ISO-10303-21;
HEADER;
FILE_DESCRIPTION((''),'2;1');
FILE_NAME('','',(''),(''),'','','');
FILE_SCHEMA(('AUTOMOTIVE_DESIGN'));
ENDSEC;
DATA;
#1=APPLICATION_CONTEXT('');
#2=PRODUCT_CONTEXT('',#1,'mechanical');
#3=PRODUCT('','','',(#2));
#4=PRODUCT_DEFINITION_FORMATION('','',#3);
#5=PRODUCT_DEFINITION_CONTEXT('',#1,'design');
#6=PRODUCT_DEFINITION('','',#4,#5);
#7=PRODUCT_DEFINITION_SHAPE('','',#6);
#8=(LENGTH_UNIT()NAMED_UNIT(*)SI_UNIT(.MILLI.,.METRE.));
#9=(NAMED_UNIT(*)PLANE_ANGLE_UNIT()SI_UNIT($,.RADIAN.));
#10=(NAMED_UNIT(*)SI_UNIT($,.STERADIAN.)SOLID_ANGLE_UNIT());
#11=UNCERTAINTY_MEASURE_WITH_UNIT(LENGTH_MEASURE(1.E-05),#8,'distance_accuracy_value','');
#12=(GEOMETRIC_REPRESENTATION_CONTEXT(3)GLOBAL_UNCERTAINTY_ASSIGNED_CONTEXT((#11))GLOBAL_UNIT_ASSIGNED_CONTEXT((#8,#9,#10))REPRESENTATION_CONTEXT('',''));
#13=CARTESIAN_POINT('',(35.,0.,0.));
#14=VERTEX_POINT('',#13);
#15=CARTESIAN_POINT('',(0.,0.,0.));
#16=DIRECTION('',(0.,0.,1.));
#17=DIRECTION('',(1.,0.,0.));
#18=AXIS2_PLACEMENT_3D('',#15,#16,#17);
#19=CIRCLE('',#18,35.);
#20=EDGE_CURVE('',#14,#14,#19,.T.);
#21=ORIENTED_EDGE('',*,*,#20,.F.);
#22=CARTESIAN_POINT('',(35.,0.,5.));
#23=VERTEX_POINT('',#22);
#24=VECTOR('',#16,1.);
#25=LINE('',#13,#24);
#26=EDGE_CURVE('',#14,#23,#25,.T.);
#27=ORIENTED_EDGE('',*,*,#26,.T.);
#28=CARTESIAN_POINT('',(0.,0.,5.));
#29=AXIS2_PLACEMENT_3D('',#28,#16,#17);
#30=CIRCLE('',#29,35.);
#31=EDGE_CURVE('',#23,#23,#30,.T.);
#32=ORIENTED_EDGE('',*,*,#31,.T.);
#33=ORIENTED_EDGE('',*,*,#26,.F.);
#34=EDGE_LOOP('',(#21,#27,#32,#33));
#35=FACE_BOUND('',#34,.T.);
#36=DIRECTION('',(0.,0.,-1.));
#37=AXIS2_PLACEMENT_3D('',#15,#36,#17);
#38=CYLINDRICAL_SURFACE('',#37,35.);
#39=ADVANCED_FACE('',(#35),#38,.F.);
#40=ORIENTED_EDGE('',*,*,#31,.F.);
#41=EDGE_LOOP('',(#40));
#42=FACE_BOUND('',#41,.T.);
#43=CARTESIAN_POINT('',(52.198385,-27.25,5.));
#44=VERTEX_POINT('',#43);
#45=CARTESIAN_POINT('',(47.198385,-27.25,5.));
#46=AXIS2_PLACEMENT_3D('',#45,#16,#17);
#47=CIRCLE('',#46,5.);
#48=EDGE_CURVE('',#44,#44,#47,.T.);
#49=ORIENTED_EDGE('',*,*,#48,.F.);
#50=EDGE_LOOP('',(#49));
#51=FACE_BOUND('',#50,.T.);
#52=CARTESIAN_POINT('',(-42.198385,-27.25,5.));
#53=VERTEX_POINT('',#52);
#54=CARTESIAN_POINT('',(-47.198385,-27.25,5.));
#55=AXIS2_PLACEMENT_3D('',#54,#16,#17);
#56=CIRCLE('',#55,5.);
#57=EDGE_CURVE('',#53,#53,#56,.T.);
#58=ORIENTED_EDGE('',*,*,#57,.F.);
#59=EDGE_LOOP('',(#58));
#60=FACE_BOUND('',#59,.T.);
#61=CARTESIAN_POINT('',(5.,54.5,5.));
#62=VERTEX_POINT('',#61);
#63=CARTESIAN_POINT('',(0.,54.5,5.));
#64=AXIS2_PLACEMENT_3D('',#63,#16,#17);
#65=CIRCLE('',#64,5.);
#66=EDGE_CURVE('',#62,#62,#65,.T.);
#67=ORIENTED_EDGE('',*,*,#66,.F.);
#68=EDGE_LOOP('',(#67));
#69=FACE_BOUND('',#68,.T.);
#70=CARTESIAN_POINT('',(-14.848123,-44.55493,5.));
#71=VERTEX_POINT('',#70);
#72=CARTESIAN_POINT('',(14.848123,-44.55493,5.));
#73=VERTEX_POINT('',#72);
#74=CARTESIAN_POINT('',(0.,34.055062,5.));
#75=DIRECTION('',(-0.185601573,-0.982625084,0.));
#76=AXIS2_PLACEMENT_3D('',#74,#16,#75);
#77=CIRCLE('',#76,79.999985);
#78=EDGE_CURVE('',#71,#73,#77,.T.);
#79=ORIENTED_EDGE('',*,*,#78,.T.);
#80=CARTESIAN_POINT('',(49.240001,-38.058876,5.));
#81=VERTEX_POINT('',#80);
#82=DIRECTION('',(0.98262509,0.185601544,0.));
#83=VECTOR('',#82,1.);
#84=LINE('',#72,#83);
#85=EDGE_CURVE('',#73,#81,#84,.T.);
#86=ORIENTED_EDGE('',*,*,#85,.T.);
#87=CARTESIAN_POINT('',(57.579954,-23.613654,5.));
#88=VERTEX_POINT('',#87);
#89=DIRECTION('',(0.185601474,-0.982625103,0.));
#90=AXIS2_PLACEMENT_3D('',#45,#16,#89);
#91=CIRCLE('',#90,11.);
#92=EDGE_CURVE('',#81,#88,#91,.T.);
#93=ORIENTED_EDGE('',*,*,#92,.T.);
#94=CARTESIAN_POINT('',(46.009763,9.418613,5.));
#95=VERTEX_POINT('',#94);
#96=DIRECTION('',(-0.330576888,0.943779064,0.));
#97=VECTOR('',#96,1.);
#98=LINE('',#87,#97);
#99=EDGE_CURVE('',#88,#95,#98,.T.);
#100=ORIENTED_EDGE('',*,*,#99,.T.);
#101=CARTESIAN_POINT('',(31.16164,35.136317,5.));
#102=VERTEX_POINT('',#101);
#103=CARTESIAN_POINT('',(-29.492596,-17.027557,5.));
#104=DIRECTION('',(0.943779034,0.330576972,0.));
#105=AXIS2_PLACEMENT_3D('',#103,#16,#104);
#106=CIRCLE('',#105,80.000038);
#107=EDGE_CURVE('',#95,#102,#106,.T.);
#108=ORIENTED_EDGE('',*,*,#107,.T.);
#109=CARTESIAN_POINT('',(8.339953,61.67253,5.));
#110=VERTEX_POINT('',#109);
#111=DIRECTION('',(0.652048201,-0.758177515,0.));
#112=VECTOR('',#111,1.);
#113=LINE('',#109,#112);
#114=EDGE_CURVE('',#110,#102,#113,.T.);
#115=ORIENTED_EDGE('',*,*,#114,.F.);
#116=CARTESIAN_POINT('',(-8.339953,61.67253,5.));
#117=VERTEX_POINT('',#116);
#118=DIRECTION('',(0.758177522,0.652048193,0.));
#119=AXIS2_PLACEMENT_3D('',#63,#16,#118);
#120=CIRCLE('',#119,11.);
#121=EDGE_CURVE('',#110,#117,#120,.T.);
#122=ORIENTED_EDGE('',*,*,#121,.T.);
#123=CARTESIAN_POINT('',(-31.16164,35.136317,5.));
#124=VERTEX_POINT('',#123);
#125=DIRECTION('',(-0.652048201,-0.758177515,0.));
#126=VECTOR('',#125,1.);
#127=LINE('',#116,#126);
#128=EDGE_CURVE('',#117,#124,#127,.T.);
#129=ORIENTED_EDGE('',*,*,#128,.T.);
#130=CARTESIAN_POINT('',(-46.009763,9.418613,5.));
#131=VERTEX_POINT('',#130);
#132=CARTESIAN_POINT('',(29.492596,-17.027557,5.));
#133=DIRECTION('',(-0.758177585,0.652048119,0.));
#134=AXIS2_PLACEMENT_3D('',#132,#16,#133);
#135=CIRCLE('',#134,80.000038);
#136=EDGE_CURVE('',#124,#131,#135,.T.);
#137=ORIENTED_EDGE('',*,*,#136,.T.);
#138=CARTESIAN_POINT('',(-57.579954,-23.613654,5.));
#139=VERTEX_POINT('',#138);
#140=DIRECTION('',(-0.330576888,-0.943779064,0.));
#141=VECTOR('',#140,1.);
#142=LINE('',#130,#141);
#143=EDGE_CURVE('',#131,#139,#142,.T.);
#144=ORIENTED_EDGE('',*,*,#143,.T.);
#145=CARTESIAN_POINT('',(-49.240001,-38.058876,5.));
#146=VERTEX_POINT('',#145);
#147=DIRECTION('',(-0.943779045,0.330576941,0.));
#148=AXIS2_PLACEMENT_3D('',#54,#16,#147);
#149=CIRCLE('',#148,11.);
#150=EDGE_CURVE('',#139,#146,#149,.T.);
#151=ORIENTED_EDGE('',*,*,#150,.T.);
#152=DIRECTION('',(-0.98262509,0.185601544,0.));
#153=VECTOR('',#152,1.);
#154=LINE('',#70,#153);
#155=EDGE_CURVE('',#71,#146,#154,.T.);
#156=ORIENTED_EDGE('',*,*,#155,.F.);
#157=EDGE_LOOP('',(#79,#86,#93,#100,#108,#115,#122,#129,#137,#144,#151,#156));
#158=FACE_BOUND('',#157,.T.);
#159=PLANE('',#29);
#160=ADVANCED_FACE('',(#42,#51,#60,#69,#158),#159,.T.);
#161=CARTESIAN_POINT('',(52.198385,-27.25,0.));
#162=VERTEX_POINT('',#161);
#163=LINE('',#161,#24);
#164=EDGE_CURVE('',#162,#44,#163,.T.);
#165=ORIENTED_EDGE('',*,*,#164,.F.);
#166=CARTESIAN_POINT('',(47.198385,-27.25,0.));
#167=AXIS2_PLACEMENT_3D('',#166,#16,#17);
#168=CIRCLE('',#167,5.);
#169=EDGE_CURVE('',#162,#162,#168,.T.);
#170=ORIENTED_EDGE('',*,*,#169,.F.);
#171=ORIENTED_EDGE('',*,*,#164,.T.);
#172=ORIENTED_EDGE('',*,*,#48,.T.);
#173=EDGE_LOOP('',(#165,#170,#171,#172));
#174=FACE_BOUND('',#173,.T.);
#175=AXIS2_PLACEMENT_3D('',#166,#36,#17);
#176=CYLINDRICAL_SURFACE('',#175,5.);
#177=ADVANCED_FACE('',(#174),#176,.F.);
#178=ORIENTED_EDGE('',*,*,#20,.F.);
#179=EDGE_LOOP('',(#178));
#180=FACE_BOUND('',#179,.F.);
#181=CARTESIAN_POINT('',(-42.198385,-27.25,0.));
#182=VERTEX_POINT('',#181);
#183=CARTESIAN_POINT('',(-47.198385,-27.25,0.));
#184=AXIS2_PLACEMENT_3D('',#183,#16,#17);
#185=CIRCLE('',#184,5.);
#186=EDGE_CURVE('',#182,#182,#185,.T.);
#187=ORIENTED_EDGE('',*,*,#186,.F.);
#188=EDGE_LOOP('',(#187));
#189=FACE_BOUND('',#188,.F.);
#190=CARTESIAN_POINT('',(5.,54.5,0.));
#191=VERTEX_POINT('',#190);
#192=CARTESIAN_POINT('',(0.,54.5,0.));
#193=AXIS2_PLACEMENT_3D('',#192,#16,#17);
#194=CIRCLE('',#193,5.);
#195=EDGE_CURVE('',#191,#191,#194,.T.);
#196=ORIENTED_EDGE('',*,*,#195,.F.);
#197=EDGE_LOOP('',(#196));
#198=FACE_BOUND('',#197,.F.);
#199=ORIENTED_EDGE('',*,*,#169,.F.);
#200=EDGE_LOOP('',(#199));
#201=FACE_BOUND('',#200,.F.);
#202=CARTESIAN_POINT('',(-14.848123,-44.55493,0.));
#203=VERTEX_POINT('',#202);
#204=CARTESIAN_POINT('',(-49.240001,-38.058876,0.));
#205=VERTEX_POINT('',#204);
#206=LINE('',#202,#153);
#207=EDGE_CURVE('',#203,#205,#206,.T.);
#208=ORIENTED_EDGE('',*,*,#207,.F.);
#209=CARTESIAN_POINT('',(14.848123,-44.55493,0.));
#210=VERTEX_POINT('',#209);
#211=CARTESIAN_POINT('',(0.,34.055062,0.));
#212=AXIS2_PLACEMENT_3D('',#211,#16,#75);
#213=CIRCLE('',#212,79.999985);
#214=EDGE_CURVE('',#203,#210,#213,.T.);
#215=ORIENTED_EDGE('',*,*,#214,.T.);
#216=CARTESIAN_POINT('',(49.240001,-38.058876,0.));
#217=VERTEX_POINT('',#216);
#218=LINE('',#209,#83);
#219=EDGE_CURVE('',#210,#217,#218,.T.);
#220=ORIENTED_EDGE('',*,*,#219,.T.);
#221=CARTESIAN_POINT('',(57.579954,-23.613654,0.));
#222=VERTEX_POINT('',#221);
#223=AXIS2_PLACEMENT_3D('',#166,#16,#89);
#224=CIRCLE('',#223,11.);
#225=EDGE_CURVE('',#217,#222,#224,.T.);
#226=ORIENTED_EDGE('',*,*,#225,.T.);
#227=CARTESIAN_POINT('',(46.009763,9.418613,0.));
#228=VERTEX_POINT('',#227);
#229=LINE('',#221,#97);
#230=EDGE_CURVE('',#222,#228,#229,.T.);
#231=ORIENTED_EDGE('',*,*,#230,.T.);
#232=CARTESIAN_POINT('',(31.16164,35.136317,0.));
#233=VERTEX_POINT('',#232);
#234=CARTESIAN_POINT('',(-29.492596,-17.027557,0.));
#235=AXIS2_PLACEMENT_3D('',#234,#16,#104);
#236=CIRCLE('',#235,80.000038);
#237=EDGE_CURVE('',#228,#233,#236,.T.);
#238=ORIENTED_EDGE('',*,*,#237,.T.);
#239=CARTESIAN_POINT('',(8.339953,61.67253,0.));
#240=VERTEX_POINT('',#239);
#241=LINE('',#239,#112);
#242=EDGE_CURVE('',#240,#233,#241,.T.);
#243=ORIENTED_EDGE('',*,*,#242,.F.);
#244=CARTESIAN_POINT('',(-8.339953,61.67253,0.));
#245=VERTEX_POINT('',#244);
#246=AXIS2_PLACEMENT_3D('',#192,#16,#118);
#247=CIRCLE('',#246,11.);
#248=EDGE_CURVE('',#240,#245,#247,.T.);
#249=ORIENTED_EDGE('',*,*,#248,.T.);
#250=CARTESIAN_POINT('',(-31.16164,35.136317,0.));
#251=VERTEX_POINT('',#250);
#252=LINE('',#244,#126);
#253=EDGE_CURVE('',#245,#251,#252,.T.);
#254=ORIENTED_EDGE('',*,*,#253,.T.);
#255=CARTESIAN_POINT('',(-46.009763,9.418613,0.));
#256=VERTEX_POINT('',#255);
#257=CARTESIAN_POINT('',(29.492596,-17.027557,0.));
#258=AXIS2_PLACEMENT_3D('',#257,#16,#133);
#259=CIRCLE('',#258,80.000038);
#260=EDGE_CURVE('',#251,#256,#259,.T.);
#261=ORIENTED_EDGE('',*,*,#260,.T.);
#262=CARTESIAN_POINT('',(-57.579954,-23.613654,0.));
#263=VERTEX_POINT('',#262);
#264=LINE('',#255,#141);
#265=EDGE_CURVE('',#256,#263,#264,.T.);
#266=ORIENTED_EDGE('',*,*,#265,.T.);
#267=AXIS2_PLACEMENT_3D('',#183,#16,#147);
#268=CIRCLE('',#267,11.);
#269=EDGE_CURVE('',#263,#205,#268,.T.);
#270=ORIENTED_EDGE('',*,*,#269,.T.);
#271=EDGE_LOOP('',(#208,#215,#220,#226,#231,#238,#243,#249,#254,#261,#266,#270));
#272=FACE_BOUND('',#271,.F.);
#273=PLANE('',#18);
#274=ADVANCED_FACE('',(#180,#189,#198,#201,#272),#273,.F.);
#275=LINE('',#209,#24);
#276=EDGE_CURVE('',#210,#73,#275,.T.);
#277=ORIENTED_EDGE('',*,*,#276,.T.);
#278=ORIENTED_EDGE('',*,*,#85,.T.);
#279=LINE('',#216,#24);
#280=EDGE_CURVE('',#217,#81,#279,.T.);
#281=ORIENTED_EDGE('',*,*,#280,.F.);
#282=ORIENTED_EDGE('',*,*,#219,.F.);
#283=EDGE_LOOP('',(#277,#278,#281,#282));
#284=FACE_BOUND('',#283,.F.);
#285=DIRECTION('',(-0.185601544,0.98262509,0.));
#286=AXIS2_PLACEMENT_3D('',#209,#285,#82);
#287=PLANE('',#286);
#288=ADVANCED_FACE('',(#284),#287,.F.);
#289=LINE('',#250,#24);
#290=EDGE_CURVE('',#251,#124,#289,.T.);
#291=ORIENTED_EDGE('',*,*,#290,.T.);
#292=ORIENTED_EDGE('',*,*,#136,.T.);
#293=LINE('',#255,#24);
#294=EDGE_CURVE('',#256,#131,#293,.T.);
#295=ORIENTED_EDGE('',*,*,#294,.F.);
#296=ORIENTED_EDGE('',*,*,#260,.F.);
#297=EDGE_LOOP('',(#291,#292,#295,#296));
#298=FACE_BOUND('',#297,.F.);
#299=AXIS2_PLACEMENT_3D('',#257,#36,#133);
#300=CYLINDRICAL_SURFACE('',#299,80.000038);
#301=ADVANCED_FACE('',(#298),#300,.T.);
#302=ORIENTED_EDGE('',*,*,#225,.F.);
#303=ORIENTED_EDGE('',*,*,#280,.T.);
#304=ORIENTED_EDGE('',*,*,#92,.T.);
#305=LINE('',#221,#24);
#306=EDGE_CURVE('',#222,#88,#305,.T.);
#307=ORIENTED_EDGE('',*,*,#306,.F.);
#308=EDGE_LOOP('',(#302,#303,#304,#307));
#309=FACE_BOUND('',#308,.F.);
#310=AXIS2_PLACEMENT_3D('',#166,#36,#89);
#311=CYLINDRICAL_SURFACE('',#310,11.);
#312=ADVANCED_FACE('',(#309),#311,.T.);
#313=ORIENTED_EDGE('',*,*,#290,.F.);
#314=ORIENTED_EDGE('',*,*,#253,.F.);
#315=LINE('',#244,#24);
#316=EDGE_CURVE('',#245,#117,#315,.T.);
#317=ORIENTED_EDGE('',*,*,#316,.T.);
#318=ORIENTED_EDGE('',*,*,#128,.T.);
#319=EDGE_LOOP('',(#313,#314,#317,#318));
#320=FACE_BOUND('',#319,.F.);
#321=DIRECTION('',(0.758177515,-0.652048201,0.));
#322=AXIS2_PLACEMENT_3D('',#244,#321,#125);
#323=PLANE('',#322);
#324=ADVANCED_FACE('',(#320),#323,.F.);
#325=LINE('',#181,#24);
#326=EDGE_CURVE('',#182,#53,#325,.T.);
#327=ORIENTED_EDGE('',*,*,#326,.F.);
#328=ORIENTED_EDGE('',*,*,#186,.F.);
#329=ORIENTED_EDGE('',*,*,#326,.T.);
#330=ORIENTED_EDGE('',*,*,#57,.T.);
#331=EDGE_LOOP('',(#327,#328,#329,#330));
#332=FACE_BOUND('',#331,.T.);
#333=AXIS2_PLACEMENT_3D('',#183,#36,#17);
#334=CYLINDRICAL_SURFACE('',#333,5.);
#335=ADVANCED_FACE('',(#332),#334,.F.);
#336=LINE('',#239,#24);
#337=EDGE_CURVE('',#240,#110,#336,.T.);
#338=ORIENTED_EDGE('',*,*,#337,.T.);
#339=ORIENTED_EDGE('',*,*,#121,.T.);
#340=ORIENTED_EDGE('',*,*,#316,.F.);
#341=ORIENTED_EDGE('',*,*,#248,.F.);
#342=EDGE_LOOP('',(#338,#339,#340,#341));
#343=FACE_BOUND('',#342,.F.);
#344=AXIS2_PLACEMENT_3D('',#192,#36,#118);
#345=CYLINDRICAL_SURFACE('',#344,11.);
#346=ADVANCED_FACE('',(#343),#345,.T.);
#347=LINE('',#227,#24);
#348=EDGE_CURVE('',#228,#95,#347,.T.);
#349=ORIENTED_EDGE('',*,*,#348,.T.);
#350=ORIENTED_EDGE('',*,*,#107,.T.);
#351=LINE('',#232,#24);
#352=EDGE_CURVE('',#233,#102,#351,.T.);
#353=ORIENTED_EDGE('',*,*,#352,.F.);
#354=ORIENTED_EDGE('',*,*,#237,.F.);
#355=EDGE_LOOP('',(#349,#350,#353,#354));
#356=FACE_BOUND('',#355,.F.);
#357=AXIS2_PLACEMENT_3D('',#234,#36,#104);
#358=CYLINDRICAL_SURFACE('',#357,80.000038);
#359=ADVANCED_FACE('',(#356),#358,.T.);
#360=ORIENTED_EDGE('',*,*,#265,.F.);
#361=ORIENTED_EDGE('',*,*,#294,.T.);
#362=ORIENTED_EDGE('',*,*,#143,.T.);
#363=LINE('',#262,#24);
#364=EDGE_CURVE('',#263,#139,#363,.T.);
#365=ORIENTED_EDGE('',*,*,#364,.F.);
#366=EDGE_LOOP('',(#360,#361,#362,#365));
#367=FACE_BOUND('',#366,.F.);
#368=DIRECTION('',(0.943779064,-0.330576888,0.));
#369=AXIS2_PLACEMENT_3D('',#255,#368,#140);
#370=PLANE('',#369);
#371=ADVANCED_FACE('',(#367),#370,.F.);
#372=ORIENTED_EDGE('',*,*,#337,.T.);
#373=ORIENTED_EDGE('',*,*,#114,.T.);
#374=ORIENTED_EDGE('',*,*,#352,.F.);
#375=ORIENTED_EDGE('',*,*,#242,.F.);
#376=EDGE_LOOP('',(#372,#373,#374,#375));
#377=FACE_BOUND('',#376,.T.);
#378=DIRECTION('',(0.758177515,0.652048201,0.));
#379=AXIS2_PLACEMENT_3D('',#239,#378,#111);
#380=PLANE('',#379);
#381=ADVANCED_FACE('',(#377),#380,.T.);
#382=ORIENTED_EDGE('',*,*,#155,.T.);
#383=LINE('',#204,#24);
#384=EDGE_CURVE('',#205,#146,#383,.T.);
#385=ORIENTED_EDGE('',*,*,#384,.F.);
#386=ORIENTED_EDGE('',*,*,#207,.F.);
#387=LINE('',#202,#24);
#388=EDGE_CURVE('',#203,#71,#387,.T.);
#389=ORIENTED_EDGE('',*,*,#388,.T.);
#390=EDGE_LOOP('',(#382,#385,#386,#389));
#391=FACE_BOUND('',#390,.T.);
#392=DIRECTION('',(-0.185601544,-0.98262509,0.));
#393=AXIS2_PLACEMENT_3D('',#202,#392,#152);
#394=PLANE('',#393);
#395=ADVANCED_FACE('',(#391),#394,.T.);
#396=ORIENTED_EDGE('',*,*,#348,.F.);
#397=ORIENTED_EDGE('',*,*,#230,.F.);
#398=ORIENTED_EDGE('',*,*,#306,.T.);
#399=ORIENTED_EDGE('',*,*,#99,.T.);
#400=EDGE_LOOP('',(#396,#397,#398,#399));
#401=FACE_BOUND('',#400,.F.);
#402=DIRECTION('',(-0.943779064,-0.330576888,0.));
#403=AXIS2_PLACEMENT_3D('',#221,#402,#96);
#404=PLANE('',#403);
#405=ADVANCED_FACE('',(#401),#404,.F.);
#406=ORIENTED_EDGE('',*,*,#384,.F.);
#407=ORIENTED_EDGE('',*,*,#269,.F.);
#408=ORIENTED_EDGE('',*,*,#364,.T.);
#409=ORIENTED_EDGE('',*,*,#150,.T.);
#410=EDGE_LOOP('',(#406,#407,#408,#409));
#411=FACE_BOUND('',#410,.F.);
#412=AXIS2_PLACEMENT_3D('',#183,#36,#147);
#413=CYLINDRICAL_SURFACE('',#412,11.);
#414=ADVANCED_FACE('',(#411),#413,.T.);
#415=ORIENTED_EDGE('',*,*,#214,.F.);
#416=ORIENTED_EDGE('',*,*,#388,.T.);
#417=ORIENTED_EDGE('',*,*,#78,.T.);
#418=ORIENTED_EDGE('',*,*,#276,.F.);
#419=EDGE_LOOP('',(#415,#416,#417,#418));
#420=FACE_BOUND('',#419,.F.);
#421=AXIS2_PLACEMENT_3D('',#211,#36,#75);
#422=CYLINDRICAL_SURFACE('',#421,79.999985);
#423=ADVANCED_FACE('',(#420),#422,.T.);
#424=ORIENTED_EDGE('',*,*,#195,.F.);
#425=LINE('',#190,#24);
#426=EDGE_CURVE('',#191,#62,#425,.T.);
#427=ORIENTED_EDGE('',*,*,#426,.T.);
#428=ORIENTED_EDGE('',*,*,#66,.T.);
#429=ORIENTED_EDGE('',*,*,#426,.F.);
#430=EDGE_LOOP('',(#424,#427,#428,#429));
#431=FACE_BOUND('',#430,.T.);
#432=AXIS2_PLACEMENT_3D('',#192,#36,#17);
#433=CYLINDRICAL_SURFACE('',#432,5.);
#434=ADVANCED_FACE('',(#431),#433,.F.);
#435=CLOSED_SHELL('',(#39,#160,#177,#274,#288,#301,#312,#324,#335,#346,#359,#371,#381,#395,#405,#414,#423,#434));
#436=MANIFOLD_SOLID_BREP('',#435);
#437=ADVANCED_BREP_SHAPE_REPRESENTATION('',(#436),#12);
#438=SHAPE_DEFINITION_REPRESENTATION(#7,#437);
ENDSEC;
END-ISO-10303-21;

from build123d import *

# Parameters (mm, degrees)
SKETCH_R   = 35
SKETCH_R_2 = 5
PAD_DEPTH  = 5


with BuildPart() as part:
    # Sketch → Pad (new body)
    with BuildSketch(Plane.XY):
        with BuildLine():
            ThreePointArc((8.339953, 61.67253), (0, 65.5), (-8.339953, 61.67253))
            Line((-8.339953, 61.67253), (-31.16164, 35.136317))
            ThreePointArc((-31.16164, 35.136317), (-39.78947, 22.972461), (-46.009763, 9.418613))
            Line((-46.009763, 9.418613), (-57.579954, -23.613654))
            ThreePointArc((-57.579954, -23.613654), (-56.724664, -32.75), (-49.240001, -38.058876))
            Line((-14.848123, -44.55493), (-49.240001, -38.058876))
            ThreePointArc((-14.848123, -44.55493), (0, -45.944923), (14.848123, -44.55493))
            Line((14.848123, -44.55493), (49.240001, -38.058876))
            ThreePointArc((49.240001, -38.058876), (56.724664, -32.75), (57.579954, -23.613654))
            Line((57.579954, -23.613654), (46.009763, 9.418613))
            ThreePointArc((46.009763, 9.418613), (39.78947, 22.972461), (31.16164, 35.136317))
            Line((8.339953, 61.67253), (31.16164, 35.136317))
        make_face()
        Circle(SKETCH_R, mode=Mode.SUBTRACT)
        with Locations((-47.198385, -27.25)):
            Circle(SKETCH_R_2, mode=Mode.SUBTRACT)
        with Locations((47.198385, -27.25)):
            Circle(SKETCH_R_2, mode=Mode.SUBTRACT)
        with Locations((0, 54.5)):
            Circle(SKETCH_R_2, mode=Mode.SUBTRACT)
    extrude(amount=PAD_DEPTH)


solid = part.part
